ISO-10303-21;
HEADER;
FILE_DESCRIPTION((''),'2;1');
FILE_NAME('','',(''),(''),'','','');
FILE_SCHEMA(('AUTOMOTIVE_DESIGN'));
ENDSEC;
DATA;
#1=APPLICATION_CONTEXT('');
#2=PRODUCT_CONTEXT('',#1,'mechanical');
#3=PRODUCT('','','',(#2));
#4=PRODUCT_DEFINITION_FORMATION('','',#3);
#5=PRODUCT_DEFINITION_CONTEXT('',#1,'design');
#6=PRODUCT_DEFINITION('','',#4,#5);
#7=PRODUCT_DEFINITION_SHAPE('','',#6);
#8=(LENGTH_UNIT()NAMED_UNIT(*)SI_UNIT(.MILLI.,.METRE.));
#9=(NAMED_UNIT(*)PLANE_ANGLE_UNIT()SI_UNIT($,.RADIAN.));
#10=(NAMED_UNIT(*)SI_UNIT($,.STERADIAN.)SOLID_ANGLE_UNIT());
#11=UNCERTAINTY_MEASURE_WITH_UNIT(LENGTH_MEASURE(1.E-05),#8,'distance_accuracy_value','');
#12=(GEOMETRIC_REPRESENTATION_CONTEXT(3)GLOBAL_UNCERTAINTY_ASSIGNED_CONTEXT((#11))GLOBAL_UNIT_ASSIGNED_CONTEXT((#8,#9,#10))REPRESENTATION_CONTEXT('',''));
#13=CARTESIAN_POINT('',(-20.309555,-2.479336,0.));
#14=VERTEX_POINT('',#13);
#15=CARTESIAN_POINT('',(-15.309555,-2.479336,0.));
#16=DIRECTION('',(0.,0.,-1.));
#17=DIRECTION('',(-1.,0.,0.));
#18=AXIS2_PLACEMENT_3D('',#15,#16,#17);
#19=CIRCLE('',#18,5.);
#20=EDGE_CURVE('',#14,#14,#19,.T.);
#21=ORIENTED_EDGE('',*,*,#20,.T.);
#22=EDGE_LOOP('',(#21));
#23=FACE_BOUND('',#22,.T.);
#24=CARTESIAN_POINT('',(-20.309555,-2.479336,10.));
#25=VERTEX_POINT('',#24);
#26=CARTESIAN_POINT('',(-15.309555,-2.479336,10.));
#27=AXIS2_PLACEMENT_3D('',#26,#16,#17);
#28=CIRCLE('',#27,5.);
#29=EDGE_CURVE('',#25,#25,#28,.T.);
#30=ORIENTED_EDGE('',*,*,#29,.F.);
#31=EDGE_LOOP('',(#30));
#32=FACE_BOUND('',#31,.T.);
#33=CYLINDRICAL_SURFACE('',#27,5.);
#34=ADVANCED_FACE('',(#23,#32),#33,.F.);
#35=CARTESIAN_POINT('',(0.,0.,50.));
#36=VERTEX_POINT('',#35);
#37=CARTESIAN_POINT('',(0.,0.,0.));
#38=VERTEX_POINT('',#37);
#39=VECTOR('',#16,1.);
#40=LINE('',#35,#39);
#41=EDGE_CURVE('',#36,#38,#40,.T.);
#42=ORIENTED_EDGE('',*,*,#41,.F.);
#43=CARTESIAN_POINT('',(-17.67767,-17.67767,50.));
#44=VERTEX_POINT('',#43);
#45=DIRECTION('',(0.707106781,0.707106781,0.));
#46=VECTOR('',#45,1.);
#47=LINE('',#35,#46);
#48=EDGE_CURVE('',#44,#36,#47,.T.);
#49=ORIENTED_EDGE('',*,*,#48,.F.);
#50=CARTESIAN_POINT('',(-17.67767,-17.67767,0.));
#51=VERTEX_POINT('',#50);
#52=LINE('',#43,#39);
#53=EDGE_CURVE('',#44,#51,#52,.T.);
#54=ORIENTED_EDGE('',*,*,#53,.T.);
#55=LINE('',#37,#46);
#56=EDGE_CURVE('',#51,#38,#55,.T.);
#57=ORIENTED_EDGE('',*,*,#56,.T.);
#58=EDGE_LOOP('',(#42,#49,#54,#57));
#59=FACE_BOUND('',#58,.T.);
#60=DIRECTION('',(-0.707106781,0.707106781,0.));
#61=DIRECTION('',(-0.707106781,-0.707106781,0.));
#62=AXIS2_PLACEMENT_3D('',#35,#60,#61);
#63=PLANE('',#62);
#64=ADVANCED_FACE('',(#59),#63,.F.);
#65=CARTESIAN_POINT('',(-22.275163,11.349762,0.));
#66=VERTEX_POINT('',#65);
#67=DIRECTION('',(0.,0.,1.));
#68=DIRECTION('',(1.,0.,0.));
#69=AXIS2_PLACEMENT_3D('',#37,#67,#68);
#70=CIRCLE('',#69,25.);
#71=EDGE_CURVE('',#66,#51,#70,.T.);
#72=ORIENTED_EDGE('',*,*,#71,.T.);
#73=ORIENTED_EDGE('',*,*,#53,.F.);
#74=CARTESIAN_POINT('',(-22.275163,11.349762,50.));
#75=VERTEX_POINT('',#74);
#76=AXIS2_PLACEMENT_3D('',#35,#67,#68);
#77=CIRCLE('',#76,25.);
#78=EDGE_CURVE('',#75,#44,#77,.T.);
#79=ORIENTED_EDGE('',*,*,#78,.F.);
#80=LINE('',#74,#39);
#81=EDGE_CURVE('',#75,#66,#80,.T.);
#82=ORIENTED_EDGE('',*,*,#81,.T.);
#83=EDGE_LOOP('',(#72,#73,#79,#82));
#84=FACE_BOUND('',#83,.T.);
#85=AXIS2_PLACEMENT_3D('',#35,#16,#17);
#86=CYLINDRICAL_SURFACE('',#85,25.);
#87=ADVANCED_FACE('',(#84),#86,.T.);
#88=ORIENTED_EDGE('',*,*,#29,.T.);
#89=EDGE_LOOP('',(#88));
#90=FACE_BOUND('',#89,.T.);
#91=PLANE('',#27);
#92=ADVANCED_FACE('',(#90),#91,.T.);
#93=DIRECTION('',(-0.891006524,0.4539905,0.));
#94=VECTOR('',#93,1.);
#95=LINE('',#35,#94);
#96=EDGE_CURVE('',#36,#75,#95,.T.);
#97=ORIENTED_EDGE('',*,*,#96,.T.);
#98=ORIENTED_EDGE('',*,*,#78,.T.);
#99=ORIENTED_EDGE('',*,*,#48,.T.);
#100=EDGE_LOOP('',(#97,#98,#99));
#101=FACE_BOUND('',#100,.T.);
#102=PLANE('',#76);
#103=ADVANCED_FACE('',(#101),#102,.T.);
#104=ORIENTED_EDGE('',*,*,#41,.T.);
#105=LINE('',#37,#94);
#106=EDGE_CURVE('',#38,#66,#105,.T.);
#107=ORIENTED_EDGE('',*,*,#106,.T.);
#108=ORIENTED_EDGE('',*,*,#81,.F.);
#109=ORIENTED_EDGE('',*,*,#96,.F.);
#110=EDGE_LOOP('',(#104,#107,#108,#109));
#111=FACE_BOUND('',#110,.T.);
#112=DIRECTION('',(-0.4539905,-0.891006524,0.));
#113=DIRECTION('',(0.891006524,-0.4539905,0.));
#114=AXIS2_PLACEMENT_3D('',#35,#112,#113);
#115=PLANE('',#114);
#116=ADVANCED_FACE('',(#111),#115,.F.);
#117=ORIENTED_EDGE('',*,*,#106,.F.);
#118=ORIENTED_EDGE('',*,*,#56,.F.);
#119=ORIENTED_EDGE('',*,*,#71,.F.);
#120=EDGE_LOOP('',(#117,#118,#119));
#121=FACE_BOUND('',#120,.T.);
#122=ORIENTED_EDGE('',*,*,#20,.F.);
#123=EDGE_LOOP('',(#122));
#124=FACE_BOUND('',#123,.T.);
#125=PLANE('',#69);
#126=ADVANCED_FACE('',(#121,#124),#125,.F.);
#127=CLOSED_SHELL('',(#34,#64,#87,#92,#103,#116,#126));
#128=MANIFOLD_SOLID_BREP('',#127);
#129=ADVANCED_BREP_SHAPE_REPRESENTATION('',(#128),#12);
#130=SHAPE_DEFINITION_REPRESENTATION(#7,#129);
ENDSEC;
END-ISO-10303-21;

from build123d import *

# Parameters (mm, degrees)
SALIENTE_EXTRUIR1_DEPTH = 50
CROQUIS2_R              = 5
CORTAR_EXTRUIR1_DEPTH   = 10


with BuildPart() as part:
    # Croquis1 → Saliente-Extruir1 (new body)
    with BuildSketch(Plane.XY):
        with BuildLine():
            Line((0, 0), (-22.275163105, 11.349762493))
            ThreePointArc((-22.275163105, 11.349762493), (-24.692208515, -3.910861626), (-17.67766953, -17.67766953))
            Line((-17.67766953, -17.67766953), (0, 0))
        make_face()
    extrude(amount=SALIENTE_EXTRUIR1_DEPTH)

    # Croquis2 → Cortar-Extruir1 (cut)
    with BuildSketch(Plane(origin=(0, 0, 0), x_dir=(-1, 0, 0), z_dir=(0, 0, -1))):
        with Locations((15.309555307, -2.479336134)):
            Circle(CROQUIS2_R)
    extrude(amount=-CORTAR_EXTRUIR1_DEPTH, mode=Mode.SUBTRACT)


solid = part.part
